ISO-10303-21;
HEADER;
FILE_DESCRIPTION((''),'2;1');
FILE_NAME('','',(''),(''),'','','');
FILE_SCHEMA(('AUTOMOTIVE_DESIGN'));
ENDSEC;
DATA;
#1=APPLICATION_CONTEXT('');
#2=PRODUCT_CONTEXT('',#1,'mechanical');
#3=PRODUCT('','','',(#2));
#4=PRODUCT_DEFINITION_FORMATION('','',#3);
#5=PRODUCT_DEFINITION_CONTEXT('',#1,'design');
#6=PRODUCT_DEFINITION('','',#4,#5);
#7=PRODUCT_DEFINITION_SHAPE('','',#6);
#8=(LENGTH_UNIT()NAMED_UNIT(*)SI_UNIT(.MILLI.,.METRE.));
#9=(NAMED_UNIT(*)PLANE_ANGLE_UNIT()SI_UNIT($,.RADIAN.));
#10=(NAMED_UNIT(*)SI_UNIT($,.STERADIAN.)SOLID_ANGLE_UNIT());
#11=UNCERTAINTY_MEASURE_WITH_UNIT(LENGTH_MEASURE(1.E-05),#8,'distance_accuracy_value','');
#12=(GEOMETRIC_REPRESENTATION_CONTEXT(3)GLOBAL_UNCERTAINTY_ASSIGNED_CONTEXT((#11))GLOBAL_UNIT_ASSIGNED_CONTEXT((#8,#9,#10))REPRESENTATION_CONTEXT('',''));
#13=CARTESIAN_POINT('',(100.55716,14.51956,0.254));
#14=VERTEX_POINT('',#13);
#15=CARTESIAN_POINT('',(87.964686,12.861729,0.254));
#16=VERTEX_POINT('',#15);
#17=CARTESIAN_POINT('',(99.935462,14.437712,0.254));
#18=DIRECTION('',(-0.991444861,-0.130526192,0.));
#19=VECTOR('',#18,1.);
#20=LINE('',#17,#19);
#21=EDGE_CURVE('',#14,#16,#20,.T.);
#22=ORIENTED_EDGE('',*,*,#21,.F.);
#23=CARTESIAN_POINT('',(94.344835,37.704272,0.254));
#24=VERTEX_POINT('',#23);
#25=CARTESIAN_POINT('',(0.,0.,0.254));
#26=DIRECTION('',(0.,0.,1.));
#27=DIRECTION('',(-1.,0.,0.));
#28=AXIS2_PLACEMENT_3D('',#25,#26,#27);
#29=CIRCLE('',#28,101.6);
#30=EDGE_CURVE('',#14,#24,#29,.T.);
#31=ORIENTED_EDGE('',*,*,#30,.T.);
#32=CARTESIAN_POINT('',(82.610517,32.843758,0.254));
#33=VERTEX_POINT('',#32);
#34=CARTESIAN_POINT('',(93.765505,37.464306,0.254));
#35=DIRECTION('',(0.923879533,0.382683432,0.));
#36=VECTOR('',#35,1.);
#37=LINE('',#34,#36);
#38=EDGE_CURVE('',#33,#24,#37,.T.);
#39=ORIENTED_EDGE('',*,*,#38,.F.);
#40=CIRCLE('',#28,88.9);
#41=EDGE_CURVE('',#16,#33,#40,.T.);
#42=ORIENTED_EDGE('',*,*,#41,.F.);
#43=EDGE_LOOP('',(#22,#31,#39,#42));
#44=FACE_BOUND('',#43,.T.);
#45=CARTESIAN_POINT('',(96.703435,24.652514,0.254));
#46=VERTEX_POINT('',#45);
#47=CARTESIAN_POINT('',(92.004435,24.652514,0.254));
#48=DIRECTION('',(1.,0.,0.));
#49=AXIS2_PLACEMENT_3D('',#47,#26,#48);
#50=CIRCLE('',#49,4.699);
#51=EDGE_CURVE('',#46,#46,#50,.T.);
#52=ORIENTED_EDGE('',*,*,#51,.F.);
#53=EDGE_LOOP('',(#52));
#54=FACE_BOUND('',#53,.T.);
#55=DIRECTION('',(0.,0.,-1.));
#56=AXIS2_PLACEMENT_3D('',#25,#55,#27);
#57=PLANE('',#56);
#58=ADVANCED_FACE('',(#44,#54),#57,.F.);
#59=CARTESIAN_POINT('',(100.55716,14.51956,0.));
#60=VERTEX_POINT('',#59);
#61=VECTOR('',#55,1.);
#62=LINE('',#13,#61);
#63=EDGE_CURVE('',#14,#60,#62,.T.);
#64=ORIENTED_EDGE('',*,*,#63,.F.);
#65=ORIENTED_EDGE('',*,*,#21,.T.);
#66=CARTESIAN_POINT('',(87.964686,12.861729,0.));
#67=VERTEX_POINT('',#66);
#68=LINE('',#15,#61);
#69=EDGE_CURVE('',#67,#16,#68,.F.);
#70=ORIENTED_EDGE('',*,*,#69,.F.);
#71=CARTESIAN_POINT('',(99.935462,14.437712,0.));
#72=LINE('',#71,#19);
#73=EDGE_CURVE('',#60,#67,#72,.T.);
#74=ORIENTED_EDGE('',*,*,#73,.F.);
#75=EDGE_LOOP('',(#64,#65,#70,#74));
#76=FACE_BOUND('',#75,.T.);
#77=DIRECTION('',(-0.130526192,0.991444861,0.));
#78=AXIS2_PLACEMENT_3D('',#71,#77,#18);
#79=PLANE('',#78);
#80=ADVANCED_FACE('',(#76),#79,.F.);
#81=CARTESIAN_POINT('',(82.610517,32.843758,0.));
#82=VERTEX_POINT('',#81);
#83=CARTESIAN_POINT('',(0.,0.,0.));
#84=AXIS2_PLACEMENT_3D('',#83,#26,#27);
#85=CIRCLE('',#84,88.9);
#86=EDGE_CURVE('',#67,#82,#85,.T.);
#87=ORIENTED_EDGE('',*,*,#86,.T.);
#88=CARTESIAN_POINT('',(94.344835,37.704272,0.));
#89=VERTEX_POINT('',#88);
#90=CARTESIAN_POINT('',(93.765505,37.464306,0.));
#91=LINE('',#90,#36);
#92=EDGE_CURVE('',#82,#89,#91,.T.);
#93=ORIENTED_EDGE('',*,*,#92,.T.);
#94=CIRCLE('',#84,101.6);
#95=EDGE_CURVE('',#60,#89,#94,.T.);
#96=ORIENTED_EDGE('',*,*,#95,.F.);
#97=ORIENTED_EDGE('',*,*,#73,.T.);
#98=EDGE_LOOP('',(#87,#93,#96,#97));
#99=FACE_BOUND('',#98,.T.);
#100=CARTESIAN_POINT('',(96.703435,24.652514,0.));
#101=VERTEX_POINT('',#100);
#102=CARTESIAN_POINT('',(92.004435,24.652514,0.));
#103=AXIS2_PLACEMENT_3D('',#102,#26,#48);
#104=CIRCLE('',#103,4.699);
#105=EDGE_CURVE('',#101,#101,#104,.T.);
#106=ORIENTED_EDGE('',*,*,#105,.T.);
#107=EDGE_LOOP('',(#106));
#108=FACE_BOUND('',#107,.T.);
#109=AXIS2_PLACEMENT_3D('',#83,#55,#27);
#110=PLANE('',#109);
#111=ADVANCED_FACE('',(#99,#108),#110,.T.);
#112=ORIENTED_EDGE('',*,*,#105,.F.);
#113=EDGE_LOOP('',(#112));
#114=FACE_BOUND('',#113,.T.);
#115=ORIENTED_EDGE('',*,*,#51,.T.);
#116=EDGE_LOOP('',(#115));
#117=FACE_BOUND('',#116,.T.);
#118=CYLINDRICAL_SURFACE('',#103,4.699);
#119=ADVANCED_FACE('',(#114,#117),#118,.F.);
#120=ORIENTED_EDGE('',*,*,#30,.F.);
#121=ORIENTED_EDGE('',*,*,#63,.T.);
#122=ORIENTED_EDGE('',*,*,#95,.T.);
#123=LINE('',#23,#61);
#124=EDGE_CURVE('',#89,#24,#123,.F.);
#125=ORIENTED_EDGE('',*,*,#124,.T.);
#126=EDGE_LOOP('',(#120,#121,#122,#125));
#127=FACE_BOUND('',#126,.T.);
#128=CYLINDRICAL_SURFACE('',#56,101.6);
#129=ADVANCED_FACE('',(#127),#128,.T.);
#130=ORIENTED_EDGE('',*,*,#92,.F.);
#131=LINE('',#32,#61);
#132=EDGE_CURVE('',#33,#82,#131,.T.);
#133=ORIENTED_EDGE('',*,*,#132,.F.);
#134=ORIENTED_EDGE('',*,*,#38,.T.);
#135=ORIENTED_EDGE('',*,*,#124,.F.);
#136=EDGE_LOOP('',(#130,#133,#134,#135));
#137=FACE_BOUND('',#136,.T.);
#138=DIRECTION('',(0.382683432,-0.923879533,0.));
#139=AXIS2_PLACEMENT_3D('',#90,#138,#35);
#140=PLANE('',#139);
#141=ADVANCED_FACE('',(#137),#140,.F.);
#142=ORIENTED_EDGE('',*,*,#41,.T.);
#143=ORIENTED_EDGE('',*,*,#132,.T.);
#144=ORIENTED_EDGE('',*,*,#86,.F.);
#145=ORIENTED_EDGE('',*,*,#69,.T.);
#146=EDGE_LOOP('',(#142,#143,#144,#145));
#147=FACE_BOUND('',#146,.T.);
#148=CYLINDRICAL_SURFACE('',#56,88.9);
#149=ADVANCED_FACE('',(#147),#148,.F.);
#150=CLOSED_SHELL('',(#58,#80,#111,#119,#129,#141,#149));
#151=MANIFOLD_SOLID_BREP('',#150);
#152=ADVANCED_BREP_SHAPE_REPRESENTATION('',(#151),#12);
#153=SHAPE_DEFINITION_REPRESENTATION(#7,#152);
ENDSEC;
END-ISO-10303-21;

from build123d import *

# Parameters (mm, degrees)
BOSS_EXTRUDE1_DEPTH = 0.254
SKETCH2_R           = 4.699
CUT_EXTRUDE1_DEPTH  = 1.254
SKETCH3_W           = 2.54
SKETCH3_H           = 0.635
CUT_EXTRUDE2_DEPTH  = 1.254
SKETCH5_OUTSIDE_W   = 121.447
SKETCH5_OUTSIDE_H   = 109.618
CUT_EXTRUDE5_DEPTH  = 1.254


with BuildPart() as part:
    # Sketch1 → Boss-Extrude1 (new body)
    with BuildSketch(Plane.XY):
        with BuildLine():
            Line((67.21146711, 76.191723231), (8.696654013, 17.676910134))
            Line((8.696654013, 17.676910134), (7.228954972, 14.133571205))
            ThreePointArc((7.228954972, 14.133571205), (14.666587579, 6.075099489), (15.105587123, -4.88230096))
            Line((15.105587123, -4.88230096), (18.648926052, -6.35))
            Line((18.648926052, -6.35), (101.401368334, -6.35))
            ThreePointArc((101.401368334, -6.35), (93.866160503, 38.880636728), (67.21146711, 76.191723231))
        make_face()
        with BuildLine():
            Line((88.672924278, 6.35), (27.86051193, 6.35))
            ThreePointArc((27.86051193, 6.35), (26.399857642, 10.93517908), (24.190484974, 15.210228852))
            Line((24.190484974, 15.210228852), (67.191354125, 58.211098004))
            ThreePointArc((67.191354125, 58.211098004), (82.13289044, 34.020557137), (88.672924278, 6.35))
        make_face(mode=Mode.SUBTRACT)
    extrude(amount=BOSS_EXTRUDE1_DEPTH)

    # Sketch2 → Cut-Extrude1 (cut, through all)
    with BuildSketch(Plane.XY.offset(0.254)):
        with Locations((22.225, 0)):
            Circle(SKETCH2_R)
        with Locations((36.195, 0)):
            Circle(SKETCH2_R)
        with Locations((61.722, 0)):
            Circle(SKETCH2_R)
        with Locations((75.692, 0)):
            Circle(SKETCH2_R)
        with Locations((95.25, 0)):
            Circle(SKETCH2_R)
        with Locations((15.715448212, 15.715448212)):
            Circle(SKETCH2_R)
        with Locations((25.593729945, 25.593729945)):
            Circle(SKETCH2_R)
        with Locations((43.644044748, 43.644044748)):
            Circle(SKETCH2_R)
        with Locations((53.522326482, 53.522326482)):
            Circle(SKETCH2_R)
        with Locations((92.004434954, 24.652514046)):
            Circle(SKETCH2_R)
        with Locations((82.48891971, 47.625)):
            Circle(SKETCH2_R)
        with Locations((67.351920908, 67.351920908)):
            Circle(SKETCH2_R)
    extrude(amount=-CUT_EXTRUDE1_DEPTH, mode=Mode.SUBTRACT)

    # Sketch3 → Cut-Extrude2 (cut, through all)
    with BuildSketch(Plane.XY.offset(0.254)):
        Polygon((15.266435406, 24.246691527), (17.06248663, 26.042742751), (17.511499436, 25.593729945), (15.715448212, 23.797678721), align=None)
        Polygon((44.991083167, 53.971339288), (43.195031942, 52.175288063), (43.644044748, 51.726275257), (45.440095973, 53.522326482), align=None)
        with Locations((29.21, -6.0325)):
            Rectangle(SKETCH3_W, SKETCH3_H)
        with Locations((68.707, -6.0325)):
            Rectangle(SKETCH3_W, SKETCH3_H)
        Polygon((29.230733674, 38.210989795), (31.026784898, 40.007041019), (31.475797704, 39.558028213), (29.67974648, 37.761976989), align=None)
        Polygon((56.845021246, 65.825277367), (55.048970022, 64.029226143), (55.497982828, 63.580213337), (57.294034052, 65.376264561), align=None)
        with Locations((48.9585, -6.0325)):
            Rectangle(SKETCH3_W, SKETCH3_H)
        with Locations((85.471, -6.0325)):
            Rectangle(SKETCH3_W, SKETCH3_H)
        Polygon((99.935462164, 14.437711971), (100.266998693, 11.919442024), (101.526133667, 12.085210288), (101.194597138, 14.603480236), align=None)
        Polygon((93.765504959, 37.464305742), (94.938831965, 37.950313702), (93.966816047, 40.296967714), (92.793489041, 39.810959755), align=None)
        Polygon((79.327792988, 62.471156422), (80.874047017, 60.456038938), (81.88160576, 61.229165953), (80.33535173, 63.244283437), align=None)
        Polygon((13.593916116, 7.005422516), (14.565932035, 4.658768503), (15.739259041, 5.144776462), (14.767243123, 7.491430475), align=None)
    extrude(amount=-CUT_EXTRUDE2_DEPTH, mode=Mode.SUBTRACT)

    # Sketch5 outside → Cut-Extrude5 (cut, through all)
    with BuildSketch(Plane.XY.offset(0.254)):
        with Locations((54.4145, 34.921)):
            Rectangle(SKETCH5_OUTSIDE_W, SKETCH5_OUTSIDE_H)
        with BuildLine():
            Line((81.437068577, 32.35770019), (95.518252433, 38.190317518))
            ThreePointArc((95.518252433, 38.190317518), (99.36478975, 26.62471517), (101.816391891, 14.685341068))
            Line((101.816391891, 14.685341068), (86.705420292, 12.695943916))
            ThreePointArc((86.705420292, 12.695943916), (84.644080158, 22.680312922), (81.437068577, 32.35770019))
        make_face(mode=Mode.SUBTRACT)
    extrude(amount=-CUT_EXTRUDE5_DEPTH, mode=Mode.SUBTRACT)


solid = part.part
